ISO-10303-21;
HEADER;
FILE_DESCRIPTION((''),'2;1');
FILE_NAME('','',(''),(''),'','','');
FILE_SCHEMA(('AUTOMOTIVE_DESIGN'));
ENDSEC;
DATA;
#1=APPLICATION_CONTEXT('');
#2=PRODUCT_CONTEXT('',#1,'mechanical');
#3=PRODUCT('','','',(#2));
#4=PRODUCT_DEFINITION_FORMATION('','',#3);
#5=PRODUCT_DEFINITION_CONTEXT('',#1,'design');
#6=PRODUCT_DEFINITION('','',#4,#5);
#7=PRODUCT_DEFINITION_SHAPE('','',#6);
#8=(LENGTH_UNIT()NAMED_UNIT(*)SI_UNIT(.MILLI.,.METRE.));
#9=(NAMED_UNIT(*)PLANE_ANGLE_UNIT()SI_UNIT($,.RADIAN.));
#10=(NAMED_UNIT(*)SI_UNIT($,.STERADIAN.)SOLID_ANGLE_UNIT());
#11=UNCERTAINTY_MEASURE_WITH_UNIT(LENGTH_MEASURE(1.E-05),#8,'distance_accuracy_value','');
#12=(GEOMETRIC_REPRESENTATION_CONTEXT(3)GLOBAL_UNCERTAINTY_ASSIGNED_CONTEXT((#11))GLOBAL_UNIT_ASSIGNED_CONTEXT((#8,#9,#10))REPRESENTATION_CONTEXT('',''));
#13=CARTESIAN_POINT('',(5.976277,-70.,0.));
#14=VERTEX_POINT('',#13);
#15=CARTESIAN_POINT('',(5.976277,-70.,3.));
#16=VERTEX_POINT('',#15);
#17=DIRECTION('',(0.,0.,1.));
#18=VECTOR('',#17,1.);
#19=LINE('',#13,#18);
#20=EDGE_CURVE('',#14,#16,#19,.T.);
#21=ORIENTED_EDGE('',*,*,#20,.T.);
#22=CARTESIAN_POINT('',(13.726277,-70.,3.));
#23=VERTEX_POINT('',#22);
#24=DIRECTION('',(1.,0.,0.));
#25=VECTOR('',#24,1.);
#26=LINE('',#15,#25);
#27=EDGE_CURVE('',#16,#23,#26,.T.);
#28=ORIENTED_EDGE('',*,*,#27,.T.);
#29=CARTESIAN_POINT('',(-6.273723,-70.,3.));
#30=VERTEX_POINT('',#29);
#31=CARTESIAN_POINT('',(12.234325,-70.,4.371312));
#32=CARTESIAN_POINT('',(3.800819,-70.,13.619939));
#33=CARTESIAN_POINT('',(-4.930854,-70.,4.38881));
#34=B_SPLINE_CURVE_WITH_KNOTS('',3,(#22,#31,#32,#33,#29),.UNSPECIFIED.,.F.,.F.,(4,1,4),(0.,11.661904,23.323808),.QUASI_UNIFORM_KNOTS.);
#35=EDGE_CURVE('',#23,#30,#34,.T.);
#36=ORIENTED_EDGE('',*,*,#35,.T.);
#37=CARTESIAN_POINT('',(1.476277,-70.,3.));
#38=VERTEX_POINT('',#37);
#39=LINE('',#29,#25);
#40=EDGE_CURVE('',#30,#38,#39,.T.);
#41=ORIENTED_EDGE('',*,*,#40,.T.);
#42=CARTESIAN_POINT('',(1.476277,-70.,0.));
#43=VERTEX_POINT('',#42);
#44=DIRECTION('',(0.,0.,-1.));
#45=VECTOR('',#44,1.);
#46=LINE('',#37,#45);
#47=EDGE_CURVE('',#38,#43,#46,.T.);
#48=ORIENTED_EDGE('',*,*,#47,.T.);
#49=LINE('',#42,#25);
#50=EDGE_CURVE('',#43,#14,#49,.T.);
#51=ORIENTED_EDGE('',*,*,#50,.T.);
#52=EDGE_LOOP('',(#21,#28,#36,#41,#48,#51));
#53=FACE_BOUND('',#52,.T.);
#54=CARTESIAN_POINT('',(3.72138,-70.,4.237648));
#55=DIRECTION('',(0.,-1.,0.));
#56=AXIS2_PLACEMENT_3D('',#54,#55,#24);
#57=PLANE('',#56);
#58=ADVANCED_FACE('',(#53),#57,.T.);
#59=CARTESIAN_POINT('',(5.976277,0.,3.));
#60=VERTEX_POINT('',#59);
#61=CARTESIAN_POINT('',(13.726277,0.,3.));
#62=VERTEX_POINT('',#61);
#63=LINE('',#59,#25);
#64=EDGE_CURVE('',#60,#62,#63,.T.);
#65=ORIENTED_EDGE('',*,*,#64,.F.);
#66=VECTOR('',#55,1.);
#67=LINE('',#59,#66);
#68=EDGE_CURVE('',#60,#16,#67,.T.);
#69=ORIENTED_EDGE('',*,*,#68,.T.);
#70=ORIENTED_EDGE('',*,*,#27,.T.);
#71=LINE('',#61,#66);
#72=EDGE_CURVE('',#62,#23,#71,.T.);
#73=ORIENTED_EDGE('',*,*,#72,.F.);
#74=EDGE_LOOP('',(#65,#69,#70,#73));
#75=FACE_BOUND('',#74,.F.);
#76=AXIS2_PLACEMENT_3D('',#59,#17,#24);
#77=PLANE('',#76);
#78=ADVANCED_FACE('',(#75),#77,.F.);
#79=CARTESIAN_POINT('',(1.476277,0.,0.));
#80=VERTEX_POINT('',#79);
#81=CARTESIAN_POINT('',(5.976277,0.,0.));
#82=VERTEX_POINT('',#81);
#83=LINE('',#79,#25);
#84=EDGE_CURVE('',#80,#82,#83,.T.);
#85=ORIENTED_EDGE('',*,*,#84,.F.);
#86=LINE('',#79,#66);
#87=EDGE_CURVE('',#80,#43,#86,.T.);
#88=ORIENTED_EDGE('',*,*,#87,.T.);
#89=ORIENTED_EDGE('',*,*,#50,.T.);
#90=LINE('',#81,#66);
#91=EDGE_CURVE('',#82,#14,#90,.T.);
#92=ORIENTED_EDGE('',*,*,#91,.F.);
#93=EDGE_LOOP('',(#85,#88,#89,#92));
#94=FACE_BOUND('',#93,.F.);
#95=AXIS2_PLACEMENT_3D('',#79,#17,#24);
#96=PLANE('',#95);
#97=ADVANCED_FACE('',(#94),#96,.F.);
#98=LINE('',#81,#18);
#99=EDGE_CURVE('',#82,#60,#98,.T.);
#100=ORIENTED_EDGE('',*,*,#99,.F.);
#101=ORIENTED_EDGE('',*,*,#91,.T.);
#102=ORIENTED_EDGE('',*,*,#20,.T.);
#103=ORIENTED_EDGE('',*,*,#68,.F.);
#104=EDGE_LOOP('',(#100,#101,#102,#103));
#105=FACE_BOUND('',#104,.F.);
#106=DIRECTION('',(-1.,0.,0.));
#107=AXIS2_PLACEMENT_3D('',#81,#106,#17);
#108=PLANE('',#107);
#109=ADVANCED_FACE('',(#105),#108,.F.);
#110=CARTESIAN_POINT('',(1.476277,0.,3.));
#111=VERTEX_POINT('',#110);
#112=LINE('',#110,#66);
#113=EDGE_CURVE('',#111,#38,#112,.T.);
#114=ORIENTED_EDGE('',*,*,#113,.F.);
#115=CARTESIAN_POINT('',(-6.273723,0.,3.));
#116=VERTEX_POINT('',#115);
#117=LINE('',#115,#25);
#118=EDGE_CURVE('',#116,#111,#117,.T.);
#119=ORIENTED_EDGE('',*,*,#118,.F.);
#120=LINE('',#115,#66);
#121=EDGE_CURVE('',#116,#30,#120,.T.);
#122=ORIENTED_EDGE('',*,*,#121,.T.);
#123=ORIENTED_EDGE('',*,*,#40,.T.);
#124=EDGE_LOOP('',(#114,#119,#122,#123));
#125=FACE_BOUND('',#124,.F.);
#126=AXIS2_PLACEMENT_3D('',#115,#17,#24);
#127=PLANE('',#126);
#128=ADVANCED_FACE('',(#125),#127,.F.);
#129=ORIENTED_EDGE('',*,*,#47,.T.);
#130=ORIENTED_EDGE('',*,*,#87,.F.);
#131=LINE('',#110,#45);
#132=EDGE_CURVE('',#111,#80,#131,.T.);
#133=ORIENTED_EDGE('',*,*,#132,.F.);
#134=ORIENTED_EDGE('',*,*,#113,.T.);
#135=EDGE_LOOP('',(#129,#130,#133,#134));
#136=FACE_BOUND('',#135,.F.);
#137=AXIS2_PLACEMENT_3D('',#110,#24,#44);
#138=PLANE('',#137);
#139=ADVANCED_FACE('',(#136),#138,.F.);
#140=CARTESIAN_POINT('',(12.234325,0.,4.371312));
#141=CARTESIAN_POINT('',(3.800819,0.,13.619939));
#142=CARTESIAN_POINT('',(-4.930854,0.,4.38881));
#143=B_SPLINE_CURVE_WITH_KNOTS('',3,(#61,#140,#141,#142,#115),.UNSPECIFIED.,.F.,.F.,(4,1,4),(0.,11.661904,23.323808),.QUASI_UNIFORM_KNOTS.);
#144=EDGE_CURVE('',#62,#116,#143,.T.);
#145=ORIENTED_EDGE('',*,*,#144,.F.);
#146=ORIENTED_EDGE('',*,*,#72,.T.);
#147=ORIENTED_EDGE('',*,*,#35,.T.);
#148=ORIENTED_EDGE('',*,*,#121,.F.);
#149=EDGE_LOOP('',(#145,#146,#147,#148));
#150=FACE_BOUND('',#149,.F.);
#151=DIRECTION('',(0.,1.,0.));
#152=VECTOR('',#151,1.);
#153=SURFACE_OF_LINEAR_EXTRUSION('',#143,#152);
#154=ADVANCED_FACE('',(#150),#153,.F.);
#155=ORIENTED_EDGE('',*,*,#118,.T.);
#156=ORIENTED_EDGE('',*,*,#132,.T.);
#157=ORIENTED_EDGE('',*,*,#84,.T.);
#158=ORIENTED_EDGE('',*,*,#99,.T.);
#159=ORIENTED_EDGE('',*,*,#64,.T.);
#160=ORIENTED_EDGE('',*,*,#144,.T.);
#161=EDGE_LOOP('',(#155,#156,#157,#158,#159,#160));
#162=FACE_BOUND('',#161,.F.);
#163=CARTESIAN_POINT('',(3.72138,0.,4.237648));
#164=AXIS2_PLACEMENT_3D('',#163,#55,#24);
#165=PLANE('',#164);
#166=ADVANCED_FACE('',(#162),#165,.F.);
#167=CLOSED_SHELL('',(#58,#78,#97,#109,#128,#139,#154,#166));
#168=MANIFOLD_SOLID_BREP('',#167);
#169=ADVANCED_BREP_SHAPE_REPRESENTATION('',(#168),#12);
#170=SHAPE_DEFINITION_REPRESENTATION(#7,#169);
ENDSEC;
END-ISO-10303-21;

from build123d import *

# Parameters (mm, degrees)
F1_DEPTH = 70


with BuildPart() as f1:
    # F0 (on Front) → F1 (new body)
    with BuildSketch(Plane.XZ):
        with BuildLine():
            Line((1.476277, 0), (5.976277, 0))
            Line((5.976277, 0), (5.976277, 3))
            Line((5.976277, 3), (13.726277, 3))
            add(Edge.make_bspline(
                [(13.726277, 3), (12.234325, 4.371312), (3.800819, 13.619939), (-4.930854, 4.38881), (-6.273723, 3)],
                knots=[0, 0, 0, 0, 11.661904, 23.323808, 23.323808, 23.323808, 23.323808], degree=3))
            Line((-6.273723, 3), (1.476277, 3))
            Line((1.476277, 3), (1.476277, 0))
        make_face()
    extrude(amount=F1_DEPTH)


solid = f1.part
